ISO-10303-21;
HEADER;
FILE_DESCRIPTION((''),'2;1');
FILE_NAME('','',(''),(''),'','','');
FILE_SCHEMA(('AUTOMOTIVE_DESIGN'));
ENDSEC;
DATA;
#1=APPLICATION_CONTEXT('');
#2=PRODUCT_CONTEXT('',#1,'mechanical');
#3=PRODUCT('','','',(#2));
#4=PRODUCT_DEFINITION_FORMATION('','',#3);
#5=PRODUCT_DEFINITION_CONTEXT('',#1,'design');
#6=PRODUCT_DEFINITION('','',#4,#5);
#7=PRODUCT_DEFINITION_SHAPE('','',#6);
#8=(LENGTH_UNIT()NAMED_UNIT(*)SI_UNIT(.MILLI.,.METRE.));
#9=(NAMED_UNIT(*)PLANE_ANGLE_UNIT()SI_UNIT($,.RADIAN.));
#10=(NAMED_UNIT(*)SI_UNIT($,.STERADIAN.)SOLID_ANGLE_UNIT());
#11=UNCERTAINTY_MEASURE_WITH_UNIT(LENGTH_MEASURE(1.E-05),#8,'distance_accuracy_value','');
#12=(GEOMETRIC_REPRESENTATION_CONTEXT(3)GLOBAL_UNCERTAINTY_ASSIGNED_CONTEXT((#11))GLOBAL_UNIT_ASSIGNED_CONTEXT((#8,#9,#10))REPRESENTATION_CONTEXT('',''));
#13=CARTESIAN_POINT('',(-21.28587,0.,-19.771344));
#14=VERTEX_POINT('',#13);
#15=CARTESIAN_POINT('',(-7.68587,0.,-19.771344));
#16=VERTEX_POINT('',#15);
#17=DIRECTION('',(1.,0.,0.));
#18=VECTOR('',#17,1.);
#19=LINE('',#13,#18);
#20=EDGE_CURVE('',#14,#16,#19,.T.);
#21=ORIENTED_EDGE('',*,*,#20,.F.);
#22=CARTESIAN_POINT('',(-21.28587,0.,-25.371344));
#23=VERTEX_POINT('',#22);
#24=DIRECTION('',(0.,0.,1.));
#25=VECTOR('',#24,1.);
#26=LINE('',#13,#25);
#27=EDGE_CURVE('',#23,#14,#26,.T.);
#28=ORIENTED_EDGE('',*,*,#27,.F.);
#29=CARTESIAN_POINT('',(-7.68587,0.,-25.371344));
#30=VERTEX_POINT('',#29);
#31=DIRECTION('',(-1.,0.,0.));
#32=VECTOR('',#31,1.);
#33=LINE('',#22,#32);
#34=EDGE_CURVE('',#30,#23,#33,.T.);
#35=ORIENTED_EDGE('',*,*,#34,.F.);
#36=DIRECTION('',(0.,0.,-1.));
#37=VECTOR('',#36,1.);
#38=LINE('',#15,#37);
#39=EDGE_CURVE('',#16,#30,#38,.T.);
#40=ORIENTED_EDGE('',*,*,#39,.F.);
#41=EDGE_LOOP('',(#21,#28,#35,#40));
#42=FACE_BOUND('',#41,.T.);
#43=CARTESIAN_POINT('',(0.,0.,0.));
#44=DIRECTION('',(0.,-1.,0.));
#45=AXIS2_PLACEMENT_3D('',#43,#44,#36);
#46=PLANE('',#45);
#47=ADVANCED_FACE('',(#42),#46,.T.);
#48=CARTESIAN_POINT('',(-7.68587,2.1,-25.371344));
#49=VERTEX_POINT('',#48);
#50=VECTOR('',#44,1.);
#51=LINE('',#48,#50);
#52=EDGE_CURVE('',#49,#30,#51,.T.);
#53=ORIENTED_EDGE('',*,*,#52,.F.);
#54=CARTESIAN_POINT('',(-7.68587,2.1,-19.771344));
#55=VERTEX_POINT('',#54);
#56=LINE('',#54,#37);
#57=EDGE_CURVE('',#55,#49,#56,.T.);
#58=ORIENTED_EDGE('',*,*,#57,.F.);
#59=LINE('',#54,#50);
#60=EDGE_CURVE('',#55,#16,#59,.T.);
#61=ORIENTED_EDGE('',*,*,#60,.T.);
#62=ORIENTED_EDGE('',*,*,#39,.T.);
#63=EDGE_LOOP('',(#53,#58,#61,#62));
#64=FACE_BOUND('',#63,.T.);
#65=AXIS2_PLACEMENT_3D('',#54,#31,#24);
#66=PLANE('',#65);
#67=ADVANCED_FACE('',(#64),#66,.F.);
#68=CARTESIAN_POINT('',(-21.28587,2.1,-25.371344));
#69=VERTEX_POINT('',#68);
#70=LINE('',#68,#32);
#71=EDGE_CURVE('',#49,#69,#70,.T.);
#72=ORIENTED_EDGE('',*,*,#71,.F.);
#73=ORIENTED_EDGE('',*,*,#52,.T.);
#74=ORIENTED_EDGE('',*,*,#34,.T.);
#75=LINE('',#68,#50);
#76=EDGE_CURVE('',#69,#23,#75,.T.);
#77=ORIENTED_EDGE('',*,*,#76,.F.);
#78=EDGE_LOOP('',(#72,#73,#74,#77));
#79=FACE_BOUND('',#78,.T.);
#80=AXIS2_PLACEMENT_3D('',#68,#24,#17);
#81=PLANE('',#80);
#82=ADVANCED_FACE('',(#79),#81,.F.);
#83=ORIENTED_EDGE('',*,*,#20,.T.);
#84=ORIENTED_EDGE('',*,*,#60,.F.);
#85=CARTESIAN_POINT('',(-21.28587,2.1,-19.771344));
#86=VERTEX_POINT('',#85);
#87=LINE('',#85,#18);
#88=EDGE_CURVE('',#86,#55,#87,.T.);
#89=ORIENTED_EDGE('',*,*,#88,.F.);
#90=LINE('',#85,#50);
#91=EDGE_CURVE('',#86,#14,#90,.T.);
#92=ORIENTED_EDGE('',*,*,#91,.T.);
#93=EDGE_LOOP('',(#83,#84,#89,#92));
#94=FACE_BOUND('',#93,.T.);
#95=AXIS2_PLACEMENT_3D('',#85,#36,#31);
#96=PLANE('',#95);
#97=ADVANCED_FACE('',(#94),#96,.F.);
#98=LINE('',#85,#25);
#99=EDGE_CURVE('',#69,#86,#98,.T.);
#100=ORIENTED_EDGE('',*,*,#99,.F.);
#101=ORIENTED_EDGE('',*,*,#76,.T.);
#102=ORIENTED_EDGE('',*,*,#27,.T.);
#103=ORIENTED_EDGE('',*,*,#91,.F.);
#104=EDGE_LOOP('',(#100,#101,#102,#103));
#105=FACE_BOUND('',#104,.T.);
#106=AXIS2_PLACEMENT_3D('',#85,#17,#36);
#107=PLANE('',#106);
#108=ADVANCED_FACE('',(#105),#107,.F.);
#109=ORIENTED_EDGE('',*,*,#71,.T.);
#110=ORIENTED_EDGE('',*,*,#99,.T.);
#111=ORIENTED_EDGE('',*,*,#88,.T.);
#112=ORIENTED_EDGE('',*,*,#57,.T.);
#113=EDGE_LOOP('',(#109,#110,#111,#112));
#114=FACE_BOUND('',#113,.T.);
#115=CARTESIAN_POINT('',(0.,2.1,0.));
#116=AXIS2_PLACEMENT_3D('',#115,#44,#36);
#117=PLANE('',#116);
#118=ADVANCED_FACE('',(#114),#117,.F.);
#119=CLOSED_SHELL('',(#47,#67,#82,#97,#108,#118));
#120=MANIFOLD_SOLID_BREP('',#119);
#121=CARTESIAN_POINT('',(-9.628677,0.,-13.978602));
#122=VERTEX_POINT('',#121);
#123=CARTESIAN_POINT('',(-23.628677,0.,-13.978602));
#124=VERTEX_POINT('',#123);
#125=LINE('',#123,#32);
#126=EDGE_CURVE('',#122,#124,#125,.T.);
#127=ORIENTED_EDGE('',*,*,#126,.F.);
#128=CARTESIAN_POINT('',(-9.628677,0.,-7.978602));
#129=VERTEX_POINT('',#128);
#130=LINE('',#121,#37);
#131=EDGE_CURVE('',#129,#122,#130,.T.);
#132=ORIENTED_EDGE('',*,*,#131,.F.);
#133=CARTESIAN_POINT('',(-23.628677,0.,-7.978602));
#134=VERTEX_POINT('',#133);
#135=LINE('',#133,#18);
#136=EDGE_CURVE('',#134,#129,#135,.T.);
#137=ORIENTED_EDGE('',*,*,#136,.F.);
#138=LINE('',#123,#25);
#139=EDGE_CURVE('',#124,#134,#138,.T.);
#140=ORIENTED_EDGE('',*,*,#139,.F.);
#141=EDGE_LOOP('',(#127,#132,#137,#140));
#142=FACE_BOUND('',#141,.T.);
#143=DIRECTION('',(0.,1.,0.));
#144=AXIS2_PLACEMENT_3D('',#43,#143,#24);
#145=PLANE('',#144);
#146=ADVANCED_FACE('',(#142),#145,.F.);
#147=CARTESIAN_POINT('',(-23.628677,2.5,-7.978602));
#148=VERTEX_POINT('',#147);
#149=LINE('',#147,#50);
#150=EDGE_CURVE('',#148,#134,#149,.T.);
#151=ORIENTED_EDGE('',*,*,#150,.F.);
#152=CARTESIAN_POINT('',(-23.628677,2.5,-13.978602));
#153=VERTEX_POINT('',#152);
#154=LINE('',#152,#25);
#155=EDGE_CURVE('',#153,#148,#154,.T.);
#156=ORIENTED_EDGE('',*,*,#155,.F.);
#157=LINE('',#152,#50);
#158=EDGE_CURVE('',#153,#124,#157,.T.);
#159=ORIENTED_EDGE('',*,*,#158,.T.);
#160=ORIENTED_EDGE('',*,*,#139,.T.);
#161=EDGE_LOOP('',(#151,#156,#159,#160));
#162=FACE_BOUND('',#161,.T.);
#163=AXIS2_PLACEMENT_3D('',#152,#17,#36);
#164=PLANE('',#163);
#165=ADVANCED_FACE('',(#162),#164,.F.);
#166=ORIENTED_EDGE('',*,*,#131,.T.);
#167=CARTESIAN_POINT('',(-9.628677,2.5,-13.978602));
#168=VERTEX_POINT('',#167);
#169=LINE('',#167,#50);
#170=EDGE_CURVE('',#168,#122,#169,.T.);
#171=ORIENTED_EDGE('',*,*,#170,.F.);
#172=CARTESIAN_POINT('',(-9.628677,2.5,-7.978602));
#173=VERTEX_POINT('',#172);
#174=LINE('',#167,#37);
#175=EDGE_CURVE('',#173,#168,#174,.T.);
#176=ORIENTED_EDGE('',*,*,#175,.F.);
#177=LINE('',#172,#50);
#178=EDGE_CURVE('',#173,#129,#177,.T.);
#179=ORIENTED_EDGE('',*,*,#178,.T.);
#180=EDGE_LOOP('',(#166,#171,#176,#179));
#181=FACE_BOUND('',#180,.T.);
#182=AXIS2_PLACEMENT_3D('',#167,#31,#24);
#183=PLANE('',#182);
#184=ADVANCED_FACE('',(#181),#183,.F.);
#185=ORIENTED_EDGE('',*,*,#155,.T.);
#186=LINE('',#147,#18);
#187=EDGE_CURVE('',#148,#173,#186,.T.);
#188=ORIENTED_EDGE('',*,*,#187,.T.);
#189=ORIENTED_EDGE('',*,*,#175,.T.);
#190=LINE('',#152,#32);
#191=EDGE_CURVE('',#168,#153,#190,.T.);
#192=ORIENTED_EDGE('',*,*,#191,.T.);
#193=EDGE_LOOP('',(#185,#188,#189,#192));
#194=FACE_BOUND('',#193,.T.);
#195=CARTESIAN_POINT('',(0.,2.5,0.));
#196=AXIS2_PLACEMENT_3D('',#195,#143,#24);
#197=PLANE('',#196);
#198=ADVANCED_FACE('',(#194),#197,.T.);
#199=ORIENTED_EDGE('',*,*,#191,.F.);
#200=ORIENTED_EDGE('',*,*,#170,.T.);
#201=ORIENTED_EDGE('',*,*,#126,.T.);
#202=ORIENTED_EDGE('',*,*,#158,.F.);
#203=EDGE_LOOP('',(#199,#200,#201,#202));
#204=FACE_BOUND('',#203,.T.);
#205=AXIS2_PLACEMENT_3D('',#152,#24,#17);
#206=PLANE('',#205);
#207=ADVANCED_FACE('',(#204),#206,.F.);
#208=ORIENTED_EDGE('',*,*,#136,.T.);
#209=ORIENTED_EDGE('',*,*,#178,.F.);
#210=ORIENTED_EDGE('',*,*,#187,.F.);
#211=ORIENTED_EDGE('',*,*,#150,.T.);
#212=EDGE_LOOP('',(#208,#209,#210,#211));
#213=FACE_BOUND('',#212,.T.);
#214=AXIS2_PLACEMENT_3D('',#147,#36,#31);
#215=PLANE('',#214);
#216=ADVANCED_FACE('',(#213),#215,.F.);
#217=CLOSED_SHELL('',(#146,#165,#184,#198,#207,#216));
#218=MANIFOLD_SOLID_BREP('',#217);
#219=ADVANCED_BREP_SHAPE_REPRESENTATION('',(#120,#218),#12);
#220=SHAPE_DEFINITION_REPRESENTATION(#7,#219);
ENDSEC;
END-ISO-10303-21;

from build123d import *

# Parameters (mm, degrees)
SKETCH1_W           = 14
SKETCH1_H           = 6
BOSS_EXTRUDE1_DEPTH = 2.5
SKETCH2_W           = 13.6
SKETCH2_H           = 5.6
BOSS_EXTRUDE2_DEPTH = 2.1


with BuildPart() as part:
    # Sketch1 → Boss-Extrude1 (new body)
    with BuildSketch(Plane(origin=(0, 0, 0), x_dir=(1, 0, 0), z_dir=(0, 1, 0))):
        with Locations((-16.628676861, 10.978601777)):
            Rectangle(SKETCH1_W, SKETCH1_H)
    extrude(amount=BOSS_EXTRUDE1_DEPTH)


with BuildPart() as body_2:
    # Sketch2 → Boss-Extrude2 (new body)
    with BuildSketch(Plane(origin=(0, 0, 0), x_dir=(1, 0, 0), z_dir=(0, 1, 0))):
        with Locations((-14.485869504, 22.571343525)):
            Rectangle(SKETCH2_W, SKETCH2_H)
    extrude(amount=BOSS_EXTRUDE2_DEPTH)


solid = Compound([part.part, body_2.part])
